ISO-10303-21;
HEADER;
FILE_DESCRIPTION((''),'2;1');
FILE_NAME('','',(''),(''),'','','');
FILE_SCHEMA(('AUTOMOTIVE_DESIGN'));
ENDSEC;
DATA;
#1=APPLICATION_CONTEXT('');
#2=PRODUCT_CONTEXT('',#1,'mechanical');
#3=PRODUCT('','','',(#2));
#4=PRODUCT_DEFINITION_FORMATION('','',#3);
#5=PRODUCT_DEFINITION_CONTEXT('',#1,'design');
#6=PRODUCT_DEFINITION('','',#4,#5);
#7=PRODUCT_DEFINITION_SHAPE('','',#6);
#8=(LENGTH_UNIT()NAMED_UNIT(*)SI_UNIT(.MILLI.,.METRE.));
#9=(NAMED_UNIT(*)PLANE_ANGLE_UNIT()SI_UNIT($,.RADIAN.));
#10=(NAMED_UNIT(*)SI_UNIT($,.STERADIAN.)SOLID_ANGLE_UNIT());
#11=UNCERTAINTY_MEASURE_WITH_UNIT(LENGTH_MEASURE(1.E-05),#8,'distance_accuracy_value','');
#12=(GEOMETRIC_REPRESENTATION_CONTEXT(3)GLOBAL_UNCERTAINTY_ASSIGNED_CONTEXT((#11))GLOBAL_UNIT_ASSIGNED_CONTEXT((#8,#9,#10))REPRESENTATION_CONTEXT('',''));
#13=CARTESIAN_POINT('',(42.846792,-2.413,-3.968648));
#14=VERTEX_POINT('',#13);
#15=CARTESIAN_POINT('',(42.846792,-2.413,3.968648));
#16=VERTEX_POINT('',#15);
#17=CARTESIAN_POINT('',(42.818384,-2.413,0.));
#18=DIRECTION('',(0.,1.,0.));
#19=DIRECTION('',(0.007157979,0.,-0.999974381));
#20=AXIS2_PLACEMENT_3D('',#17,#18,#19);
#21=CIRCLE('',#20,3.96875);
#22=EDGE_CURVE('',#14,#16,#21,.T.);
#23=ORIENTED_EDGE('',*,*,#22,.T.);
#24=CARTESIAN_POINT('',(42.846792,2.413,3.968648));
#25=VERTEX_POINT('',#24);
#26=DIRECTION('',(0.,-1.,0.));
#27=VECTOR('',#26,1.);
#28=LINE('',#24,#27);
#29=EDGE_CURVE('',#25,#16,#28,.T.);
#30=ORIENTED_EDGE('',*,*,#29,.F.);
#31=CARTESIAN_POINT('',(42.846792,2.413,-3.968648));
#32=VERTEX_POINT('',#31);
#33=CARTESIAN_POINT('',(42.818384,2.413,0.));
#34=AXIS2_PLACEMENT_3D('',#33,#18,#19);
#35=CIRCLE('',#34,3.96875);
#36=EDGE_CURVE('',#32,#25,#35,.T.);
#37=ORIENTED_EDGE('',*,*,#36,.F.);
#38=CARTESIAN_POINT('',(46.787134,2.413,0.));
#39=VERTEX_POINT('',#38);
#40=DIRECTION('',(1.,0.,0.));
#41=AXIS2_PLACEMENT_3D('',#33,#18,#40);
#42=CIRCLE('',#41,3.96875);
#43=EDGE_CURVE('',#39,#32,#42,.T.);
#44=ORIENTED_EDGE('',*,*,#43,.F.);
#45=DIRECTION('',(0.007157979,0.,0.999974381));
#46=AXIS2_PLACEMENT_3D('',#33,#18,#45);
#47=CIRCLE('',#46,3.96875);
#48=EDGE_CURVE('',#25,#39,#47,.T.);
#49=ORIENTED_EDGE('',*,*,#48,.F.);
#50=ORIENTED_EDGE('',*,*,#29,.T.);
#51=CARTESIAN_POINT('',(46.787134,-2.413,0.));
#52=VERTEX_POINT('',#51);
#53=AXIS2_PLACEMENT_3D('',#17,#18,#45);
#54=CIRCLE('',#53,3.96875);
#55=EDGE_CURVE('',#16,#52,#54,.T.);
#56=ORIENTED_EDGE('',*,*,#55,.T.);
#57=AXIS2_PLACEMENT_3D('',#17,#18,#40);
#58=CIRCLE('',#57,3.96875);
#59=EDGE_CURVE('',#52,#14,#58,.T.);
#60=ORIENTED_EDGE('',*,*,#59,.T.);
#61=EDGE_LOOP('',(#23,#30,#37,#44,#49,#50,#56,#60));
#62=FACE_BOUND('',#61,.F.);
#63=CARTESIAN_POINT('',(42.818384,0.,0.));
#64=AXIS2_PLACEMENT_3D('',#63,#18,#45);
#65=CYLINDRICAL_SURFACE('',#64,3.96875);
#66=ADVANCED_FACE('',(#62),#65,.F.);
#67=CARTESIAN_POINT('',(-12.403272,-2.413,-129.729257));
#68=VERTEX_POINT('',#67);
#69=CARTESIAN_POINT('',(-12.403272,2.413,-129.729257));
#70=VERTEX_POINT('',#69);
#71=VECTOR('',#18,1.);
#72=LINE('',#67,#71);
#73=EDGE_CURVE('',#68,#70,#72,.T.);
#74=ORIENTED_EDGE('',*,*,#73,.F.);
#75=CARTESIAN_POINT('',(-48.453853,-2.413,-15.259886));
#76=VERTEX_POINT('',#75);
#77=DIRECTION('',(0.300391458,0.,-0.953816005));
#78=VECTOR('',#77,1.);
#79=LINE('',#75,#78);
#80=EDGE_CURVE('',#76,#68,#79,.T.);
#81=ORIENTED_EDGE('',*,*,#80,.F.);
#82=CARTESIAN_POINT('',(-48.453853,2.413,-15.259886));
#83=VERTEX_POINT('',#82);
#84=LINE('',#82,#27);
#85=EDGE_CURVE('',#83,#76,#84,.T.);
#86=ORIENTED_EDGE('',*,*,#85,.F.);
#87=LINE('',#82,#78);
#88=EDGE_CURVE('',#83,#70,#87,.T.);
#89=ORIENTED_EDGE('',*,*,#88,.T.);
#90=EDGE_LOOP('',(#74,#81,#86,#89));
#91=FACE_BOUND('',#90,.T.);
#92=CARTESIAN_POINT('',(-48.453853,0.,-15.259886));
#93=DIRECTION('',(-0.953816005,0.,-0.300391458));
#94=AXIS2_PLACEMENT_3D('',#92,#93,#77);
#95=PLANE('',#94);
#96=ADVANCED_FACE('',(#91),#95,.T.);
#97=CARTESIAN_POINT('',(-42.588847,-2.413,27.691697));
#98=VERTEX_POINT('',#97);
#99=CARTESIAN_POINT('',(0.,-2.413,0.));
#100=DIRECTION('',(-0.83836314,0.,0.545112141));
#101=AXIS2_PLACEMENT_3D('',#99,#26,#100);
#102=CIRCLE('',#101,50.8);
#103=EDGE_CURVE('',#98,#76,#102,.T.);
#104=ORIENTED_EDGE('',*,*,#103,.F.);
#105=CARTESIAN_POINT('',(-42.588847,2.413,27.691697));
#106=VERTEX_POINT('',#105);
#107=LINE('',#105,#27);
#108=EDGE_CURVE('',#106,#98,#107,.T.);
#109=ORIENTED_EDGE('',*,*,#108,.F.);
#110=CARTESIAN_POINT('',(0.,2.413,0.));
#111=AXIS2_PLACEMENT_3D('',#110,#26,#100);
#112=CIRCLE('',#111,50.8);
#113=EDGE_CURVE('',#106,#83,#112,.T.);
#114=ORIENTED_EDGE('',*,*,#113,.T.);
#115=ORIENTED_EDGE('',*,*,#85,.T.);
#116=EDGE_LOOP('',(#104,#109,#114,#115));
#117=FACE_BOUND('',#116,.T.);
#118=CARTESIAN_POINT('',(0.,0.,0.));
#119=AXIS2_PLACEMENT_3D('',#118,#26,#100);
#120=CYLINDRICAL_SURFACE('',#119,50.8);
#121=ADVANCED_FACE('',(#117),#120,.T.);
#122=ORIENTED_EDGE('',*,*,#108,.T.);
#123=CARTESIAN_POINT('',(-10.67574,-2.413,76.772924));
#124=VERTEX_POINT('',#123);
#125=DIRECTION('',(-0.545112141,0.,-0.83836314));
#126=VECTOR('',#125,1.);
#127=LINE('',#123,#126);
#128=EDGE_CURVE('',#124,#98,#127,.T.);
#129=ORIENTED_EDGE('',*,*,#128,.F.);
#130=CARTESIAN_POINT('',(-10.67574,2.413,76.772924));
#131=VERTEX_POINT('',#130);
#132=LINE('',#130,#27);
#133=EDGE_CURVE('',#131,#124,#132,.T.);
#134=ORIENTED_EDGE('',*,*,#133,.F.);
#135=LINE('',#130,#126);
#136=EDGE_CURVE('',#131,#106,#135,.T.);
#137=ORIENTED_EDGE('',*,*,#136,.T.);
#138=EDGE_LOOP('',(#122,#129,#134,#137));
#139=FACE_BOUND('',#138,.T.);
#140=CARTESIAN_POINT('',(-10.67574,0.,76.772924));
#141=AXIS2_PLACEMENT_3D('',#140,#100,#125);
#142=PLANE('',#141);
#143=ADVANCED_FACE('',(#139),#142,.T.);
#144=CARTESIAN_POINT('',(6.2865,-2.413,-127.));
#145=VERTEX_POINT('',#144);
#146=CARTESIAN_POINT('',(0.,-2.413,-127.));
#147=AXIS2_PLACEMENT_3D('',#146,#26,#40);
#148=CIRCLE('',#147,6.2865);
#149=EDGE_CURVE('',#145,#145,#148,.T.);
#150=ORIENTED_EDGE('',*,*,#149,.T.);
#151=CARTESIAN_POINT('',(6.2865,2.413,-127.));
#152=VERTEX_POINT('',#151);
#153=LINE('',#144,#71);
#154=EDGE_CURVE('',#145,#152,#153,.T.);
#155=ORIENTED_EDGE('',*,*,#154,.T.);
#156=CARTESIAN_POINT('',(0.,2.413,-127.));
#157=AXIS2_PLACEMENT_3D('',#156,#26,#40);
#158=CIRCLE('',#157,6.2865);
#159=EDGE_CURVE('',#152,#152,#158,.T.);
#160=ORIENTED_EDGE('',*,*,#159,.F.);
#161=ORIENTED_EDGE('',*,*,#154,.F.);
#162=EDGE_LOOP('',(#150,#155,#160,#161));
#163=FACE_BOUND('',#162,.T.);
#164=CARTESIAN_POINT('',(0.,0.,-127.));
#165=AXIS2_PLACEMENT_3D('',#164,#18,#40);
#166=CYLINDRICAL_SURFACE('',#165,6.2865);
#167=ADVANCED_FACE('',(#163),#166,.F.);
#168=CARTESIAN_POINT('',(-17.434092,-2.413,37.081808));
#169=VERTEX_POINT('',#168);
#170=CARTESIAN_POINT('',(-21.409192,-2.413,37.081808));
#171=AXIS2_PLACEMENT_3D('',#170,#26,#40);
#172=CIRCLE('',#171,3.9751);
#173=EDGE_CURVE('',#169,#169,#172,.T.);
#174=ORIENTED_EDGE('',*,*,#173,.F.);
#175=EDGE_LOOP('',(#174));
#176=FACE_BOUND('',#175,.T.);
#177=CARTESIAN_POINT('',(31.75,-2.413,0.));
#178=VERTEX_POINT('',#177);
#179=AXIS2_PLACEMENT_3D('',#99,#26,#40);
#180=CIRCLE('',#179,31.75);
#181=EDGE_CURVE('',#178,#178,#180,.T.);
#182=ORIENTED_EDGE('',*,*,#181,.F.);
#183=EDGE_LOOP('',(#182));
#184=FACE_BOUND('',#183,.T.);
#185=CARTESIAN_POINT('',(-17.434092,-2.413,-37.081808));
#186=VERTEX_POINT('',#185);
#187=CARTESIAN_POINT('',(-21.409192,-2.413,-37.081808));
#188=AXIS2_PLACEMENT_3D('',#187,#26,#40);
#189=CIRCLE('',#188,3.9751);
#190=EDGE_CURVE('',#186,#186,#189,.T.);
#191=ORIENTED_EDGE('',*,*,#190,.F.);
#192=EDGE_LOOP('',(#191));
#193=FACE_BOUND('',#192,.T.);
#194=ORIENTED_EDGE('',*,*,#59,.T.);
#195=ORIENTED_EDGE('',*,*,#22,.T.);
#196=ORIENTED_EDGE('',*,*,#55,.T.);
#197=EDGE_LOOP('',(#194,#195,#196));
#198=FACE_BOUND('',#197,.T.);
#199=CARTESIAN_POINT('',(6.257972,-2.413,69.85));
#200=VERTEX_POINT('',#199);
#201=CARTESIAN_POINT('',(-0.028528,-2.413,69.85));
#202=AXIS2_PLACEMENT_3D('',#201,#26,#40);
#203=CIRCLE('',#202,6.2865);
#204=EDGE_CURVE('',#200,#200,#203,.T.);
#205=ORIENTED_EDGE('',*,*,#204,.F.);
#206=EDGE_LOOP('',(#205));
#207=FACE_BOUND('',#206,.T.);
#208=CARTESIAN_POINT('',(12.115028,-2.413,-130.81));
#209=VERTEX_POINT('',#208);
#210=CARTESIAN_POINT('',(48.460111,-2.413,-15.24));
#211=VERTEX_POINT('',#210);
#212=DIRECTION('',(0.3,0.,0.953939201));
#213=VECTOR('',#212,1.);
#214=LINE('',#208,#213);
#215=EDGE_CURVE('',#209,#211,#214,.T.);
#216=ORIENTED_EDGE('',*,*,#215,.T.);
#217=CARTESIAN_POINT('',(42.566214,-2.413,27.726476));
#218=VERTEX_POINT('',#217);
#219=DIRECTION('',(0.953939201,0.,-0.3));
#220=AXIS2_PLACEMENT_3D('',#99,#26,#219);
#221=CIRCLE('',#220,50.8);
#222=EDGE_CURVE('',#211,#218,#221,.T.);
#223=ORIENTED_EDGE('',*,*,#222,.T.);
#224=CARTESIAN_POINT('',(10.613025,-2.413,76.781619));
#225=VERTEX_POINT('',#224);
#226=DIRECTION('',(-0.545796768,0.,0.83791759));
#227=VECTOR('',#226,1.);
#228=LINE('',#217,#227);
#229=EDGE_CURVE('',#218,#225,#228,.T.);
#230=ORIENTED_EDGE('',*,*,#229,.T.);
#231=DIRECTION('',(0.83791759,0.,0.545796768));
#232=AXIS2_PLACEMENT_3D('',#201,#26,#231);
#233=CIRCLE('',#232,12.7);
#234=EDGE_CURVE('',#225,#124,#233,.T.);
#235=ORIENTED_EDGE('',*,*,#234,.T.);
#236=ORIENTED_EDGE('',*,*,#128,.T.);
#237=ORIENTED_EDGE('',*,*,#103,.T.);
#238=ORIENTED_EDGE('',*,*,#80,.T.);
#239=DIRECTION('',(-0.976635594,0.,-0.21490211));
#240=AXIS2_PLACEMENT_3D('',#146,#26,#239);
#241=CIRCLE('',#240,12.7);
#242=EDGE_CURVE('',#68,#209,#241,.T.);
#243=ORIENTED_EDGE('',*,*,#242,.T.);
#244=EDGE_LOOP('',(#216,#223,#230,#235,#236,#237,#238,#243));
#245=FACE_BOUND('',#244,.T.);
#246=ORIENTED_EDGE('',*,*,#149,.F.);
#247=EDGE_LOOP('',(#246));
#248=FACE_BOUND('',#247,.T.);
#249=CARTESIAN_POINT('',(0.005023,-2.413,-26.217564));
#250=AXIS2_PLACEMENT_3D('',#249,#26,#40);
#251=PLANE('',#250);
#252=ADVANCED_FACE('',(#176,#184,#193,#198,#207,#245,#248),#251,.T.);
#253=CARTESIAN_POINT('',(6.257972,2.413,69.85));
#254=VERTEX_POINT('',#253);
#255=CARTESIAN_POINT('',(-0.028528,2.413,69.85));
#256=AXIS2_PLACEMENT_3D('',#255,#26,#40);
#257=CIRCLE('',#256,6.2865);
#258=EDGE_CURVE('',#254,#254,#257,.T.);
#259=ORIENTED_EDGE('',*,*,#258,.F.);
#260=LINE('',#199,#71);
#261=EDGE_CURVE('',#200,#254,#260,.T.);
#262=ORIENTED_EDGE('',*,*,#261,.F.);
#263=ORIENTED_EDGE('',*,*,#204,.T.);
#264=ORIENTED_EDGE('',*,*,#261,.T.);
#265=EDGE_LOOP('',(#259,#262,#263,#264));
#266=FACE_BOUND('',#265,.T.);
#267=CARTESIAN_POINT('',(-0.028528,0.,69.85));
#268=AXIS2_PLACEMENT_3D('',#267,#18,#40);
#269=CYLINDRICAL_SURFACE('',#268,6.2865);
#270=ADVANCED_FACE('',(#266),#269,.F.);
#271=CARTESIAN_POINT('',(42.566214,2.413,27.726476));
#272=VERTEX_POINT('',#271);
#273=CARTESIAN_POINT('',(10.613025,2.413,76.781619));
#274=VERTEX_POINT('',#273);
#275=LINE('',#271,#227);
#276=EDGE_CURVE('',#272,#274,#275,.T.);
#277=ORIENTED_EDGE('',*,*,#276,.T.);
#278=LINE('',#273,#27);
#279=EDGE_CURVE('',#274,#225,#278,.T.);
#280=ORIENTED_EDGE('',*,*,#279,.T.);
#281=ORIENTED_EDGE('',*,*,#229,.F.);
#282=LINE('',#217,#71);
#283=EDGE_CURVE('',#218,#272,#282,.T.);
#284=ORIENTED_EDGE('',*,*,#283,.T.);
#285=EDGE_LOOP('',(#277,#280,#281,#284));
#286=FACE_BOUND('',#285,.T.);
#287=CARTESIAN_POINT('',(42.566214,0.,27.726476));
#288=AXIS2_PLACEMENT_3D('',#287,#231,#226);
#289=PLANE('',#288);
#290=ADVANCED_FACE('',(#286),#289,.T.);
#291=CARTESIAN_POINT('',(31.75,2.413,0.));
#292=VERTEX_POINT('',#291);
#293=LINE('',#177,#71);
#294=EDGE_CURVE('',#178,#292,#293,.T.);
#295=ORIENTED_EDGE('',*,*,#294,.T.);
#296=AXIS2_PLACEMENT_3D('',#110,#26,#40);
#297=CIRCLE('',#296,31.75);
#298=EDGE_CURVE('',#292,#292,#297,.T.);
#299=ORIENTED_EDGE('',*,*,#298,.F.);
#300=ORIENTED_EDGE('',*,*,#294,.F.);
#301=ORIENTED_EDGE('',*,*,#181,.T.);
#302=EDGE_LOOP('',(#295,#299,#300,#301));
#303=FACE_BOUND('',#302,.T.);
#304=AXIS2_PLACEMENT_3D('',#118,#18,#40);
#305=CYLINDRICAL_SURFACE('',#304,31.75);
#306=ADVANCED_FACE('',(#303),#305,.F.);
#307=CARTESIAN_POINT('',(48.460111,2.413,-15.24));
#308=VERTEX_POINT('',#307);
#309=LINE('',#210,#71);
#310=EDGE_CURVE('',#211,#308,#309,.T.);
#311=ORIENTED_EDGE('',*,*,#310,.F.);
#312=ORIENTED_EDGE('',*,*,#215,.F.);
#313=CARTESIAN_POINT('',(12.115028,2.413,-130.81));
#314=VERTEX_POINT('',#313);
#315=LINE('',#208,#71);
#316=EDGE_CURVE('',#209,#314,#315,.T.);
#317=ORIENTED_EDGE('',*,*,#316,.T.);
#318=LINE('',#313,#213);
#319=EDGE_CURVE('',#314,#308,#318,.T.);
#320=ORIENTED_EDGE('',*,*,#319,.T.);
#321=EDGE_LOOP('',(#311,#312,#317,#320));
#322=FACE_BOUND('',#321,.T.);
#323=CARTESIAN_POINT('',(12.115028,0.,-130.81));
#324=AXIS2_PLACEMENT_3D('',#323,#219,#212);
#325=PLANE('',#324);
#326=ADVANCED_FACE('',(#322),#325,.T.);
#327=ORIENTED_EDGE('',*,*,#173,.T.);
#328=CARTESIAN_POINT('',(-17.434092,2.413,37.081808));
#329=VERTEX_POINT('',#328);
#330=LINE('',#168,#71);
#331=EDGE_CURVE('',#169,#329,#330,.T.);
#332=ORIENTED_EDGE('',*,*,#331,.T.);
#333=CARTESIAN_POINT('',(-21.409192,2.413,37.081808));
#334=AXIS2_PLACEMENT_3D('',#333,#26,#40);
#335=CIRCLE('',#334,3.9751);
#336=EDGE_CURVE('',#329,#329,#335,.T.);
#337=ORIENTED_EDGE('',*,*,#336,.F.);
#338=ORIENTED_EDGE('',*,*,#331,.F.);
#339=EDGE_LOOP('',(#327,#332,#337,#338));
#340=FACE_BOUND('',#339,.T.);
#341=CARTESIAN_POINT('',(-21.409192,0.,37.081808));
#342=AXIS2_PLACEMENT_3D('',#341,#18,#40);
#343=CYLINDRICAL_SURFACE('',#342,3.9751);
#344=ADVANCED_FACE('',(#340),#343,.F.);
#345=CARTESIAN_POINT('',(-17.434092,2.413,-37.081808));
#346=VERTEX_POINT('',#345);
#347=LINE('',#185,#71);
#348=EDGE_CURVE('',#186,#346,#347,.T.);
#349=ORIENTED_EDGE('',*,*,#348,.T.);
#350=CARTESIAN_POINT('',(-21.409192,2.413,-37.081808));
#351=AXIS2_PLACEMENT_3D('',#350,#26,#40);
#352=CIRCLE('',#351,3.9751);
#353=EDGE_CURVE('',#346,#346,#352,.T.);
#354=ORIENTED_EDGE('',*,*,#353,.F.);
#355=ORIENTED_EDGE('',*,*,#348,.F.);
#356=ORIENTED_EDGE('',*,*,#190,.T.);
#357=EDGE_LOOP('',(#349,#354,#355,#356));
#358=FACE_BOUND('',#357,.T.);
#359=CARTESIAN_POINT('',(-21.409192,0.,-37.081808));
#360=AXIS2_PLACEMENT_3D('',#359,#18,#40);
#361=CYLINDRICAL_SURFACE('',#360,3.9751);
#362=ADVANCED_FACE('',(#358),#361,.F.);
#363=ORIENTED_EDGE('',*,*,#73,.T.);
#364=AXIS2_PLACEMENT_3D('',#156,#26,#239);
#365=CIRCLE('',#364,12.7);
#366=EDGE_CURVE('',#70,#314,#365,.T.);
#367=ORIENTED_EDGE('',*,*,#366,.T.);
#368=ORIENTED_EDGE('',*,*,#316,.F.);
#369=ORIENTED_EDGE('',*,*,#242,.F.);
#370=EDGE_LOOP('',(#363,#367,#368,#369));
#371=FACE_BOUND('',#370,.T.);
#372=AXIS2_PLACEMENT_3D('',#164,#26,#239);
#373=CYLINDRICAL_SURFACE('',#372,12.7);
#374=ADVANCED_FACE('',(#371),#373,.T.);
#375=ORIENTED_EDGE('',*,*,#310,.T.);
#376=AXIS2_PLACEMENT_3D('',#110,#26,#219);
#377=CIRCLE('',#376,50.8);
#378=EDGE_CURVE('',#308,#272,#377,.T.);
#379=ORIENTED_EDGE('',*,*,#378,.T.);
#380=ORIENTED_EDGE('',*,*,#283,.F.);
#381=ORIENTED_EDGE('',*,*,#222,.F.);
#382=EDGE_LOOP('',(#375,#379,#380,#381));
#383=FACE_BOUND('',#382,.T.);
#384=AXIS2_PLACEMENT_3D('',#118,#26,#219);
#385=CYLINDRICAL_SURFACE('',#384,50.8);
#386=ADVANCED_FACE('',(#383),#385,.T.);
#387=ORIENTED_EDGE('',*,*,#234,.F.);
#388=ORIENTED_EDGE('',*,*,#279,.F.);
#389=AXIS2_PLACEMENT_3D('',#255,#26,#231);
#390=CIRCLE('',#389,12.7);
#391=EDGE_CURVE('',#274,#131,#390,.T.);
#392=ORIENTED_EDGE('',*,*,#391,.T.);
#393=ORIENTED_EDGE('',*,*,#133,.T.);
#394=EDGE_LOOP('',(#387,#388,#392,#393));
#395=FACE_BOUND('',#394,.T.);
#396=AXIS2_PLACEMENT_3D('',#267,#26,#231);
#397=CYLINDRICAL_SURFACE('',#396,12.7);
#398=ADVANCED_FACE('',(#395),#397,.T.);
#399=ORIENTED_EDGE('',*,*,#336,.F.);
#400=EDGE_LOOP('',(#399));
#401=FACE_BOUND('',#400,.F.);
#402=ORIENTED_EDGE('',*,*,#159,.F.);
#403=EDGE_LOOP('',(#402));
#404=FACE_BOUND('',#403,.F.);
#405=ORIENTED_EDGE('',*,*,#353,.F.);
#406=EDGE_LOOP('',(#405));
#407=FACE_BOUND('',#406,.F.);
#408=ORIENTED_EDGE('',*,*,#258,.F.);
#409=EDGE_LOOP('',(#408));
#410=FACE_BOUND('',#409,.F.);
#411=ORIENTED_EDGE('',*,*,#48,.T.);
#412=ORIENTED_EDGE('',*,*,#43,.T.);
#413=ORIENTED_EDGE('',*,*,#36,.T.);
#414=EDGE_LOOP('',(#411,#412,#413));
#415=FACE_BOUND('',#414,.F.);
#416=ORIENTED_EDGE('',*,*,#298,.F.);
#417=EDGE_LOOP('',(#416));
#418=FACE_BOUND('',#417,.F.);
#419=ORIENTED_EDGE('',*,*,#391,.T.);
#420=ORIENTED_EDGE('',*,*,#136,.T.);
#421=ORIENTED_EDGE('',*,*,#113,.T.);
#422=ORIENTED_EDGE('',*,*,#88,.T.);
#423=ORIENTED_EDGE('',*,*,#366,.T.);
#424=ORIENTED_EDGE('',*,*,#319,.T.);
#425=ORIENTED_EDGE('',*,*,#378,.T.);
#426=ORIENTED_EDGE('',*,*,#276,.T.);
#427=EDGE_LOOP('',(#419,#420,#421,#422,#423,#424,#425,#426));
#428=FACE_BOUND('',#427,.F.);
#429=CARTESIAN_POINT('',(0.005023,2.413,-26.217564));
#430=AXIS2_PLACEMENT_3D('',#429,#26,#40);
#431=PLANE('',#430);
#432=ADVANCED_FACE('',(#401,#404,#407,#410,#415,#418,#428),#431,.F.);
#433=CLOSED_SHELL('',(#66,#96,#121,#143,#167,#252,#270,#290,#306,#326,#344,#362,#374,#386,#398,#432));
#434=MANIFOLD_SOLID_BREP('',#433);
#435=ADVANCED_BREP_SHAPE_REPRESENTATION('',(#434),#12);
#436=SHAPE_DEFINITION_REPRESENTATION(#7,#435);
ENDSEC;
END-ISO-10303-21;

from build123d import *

# Parameters (mm, degrees)
F0_R     = 6.2865
F0_R_2   = 3.9751
F0_R_3   = 31.75
F1_DEPTH = 2.413


with BuildPart() as f1:
    # F0 (on Front) → F1 (new body, symmetric)
    with BuildSketch(Plane.XZ):
        with BuildLine():
            Line((42.5662135777, 27.7264758246), (10.6130252204, 76.7816189562))
            ThreePointArc((10.6130252204, 76.7816189562), (-0.0337151144, 82.5499989408), (-10.6757400484, 76.7729241873))
            Line((-10.6757400484, 76.7729241873), (-42.5888474972, 27.6916967494))
            ThreePointArc((-42.5888474972, 27.6916967494), (-50.3329211177, 6.8729216323), (-48.4538530673, -15.259886072))
            Line((-48.4538530673, -15.259886072), (-12.4032720404, -129.7292568021))
            ThreePointArc((-12.4032720404, -129.7292568021), (-0.5592607997, -139.6876801409), (12.115027858, -130.81))
            Line((12.115027858, -130.81), (48.460111432, -15.24))
            ThreePointArc((48.460111432, -15.24), (50.3286943243, 6.9038052992), (42.5662135777, 27.7264758246))
        make_face()
        with Locations((0, -127)):
            Circle(F0_R, mode=Mode.SUBTRACT)
        with Locations((-21.4091917708, -37.081807896)):
            Circle(F0_R_2, mode=Mode.SUBTRACT)
        Circle(F0_R_3, mode=Mode.SUBTRACT)
        with Locations((-21.4091917708, 37.081807896)):
            Circle(F0_R_2, mode=Mode.SUBTRACT)
        with Locations((-0.0285281741, 69.85)):
            Circle(F0_R, mode=Mode.SUBTRACT)
        with BuildLine():
            ThreePointArc((42.8467917708, 3.9686483259), (45.6347394958, 2.7962681741), (46.7871335416, 0))
            ThreePointArc((46.7871335416, 0), (45.6347394958, -2.7962681741), (42.8467917708, -3.9686483259))
            ThreePointArc((42.8467917708, -3.9686483259), (38.8496335416, 0), (42.8467917708, 3.9686483259))
        make_face(mode=Mode.SUBTRACT)
    extrude(amount=F1_DEPTH, both=True)


solid = f1.part
